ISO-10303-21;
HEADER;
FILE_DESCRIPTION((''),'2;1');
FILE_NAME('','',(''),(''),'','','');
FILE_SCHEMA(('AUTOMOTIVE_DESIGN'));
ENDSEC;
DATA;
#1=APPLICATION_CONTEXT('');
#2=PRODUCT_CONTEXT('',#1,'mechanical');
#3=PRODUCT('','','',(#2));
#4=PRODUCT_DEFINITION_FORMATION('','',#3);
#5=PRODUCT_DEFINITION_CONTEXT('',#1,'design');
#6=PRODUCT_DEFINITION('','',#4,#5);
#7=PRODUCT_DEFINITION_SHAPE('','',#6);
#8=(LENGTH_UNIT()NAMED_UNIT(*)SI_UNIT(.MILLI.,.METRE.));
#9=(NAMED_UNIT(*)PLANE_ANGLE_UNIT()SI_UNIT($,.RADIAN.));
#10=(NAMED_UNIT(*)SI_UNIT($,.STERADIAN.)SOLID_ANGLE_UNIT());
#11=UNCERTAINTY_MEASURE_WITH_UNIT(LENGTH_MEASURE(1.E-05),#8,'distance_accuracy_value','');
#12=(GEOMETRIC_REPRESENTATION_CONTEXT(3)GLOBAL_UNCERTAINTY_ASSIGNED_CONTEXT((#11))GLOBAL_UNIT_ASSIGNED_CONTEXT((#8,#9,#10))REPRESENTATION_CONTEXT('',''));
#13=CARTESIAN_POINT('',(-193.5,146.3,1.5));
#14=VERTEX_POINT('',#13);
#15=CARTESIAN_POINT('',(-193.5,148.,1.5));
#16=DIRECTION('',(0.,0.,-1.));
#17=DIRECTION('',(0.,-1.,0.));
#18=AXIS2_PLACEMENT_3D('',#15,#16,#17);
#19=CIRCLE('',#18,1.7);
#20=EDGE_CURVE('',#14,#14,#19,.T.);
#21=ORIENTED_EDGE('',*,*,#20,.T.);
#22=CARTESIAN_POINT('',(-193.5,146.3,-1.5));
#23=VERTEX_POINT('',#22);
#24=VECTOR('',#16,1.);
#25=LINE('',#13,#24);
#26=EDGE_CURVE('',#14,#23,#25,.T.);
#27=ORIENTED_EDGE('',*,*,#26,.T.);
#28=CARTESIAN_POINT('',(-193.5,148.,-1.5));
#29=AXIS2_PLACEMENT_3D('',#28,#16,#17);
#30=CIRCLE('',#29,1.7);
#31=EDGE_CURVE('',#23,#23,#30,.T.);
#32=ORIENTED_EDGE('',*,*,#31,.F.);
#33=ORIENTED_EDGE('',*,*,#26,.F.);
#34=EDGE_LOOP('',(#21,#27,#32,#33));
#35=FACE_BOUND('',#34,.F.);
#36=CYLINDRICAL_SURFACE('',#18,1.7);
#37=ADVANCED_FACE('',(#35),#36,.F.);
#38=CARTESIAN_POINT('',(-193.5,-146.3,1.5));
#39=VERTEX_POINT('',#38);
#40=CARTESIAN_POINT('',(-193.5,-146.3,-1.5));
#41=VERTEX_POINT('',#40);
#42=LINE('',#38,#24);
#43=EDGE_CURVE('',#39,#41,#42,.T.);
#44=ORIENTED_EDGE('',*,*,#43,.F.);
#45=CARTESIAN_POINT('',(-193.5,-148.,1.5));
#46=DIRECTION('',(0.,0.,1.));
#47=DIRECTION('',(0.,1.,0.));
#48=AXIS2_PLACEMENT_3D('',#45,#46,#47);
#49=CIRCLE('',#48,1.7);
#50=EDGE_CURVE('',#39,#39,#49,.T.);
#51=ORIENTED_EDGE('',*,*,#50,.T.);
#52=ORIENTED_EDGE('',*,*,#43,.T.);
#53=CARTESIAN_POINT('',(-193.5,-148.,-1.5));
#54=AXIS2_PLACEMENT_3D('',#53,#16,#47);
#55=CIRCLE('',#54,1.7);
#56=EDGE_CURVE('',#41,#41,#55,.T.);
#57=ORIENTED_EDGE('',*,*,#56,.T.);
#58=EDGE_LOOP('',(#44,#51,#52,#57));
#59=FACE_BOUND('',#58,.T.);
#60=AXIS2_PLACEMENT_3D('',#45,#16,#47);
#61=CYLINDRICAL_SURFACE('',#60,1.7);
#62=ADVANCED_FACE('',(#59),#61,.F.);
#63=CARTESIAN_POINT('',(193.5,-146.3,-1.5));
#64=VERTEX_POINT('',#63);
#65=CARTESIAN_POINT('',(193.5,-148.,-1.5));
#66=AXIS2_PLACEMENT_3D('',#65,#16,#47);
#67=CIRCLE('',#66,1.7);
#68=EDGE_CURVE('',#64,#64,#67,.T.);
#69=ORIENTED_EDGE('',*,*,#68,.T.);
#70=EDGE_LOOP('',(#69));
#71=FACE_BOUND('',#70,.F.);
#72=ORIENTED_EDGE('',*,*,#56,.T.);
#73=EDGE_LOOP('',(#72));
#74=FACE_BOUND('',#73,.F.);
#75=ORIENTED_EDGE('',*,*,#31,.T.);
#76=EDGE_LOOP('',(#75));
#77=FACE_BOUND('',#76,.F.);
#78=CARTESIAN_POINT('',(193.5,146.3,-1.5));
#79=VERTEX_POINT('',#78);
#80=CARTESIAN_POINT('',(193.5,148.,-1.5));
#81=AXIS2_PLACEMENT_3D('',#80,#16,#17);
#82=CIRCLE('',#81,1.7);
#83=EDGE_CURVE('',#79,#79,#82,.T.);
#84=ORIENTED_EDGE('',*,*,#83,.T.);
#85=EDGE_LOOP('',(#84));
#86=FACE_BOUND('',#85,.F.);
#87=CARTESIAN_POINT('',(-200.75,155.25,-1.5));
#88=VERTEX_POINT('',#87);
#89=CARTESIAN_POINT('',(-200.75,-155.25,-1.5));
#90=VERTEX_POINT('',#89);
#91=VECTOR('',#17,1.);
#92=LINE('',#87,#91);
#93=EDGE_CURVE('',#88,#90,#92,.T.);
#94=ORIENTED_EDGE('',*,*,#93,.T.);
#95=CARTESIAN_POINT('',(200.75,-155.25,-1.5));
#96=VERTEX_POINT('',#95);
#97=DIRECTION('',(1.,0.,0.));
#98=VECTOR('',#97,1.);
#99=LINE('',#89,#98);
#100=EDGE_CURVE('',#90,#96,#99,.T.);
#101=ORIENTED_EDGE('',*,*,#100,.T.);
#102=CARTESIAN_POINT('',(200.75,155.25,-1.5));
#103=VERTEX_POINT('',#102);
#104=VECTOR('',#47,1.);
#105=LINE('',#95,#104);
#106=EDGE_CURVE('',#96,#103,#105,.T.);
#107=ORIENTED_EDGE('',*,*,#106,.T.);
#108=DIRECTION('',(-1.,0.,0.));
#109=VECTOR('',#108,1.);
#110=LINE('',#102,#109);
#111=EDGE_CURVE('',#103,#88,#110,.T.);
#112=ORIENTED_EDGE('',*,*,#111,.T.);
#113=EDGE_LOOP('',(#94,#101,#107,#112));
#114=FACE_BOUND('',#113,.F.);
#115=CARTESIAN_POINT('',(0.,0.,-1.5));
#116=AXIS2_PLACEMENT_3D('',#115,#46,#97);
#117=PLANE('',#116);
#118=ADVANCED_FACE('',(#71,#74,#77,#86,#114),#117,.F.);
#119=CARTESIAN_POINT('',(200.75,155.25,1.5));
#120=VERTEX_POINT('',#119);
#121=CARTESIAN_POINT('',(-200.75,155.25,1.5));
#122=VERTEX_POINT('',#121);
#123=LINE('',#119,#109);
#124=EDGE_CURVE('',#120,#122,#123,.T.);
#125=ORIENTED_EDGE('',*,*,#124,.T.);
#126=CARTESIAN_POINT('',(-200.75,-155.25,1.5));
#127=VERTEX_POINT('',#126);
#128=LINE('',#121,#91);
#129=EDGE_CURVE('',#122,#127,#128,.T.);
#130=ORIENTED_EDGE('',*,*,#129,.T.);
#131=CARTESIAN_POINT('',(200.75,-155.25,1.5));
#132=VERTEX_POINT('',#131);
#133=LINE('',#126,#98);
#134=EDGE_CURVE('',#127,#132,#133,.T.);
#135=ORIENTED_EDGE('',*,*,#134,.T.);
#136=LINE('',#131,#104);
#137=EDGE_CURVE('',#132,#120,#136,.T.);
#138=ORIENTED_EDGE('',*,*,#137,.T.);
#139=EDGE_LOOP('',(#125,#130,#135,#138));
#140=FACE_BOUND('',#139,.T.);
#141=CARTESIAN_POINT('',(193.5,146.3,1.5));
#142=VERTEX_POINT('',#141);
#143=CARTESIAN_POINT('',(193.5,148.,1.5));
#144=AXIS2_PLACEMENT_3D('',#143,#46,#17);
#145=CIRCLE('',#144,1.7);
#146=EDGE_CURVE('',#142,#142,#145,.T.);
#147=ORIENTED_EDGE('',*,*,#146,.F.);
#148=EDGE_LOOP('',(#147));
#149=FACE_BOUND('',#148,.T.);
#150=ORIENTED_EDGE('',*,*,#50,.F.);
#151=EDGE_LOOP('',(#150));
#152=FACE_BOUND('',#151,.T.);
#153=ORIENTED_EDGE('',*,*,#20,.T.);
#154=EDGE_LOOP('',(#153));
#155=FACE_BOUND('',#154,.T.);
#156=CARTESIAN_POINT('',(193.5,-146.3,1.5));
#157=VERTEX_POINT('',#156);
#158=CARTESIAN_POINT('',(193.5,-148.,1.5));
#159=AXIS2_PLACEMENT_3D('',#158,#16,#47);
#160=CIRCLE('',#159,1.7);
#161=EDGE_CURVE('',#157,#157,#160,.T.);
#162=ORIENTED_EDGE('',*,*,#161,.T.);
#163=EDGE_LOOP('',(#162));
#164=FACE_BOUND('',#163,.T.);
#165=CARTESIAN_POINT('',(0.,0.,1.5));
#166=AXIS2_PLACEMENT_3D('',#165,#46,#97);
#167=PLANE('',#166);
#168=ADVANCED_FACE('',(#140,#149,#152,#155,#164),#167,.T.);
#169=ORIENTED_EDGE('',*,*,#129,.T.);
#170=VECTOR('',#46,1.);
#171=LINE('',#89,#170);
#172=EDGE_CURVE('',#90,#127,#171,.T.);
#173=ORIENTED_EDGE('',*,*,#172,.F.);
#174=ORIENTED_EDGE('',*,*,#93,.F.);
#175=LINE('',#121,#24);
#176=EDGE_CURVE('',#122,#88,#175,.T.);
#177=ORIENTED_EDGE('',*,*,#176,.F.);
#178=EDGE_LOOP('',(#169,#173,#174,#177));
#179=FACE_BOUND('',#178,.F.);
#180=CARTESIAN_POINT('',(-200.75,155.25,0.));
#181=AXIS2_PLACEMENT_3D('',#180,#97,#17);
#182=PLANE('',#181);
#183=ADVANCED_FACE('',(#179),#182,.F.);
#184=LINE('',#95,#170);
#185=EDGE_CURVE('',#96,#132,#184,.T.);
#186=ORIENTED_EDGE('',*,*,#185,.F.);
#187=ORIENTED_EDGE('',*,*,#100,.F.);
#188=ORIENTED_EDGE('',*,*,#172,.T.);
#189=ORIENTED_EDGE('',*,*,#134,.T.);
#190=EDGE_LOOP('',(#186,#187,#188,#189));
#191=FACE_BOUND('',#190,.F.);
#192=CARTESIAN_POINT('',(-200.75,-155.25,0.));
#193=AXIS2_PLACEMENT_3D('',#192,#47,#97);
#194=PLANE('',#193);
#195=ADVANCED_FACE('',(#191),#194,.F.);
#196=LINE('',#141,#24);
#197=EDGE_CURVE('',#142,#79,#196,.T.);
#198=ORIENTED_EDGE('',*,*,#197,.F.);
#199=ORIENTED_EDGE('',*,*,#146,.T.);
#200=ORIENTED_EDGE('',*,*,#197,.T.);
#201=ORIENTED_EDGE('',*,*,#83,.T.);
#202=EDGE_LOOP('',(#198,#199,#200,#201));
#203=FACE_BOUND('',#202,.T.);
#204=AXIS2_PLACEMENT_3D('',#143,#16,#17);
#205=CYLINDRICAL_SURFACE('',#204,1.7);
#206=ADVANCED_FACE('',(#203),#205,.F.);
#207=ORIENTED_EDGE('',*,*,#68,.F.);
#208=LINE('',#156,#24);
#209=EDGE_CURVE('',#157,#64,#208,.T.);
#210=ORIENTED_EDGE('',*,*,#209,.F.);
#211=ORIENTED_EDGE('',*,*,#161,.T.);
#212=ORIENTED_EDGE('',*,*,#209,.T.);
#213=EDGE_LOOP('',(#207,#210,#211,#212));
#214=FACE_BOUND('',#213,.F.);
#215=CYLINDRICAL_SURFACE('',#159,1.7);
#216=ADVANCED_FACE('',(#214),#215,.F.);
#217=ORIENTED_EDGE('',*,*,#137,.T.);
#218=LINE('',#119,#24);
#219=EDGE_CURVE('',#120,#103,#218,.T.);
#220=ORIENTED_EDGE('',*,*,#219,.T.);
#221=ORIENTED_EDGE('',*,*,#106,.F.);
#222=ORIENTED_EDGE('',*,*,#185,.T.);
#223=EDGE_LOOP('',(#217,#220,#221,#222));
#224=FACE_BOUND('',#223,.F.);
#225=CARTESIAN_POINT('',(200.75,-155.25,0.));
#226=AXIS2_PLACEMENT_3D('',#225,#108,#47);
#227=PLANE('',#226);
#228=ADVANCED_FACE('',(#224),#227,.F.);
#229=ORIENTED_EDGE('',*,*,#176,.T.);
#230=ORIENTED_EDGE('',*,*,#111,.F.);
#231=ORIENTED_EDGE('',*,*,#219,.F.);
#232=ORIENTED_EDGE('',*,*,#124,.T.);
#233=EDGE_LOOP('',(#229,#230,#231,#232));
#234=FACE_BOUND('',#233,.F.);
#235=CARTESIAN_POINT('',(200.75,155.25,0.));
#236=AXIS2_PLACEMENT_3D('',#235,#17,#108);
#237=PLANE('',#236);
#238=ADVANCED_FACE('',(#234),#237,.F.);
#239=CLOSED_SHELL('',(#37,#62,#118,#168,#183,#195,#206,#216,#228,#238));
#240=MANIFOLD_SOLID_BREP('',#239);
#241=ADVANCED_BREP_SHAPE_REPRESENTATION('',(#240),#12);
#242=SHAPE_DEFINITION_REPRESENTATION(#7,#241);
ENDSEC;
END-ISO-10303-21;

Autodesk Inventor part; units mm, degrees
ref_plane "YZ Plane" through (0, 0, 0) normal (1, 0, 0) x (0, 1, 0)
ref_plane "XZ Plane" through (0, 0, 0) normal (0, 1, 0) x (-1, 0, 0)
ref_plane "XY Plane" through (0, 0, 0) normal (0, 0, 1) x (1, 0, 0)
sketch "Esquisse1" plane through (0, 0, 0) normal (0, 0, 1) x (1, 0, 0)
  line L0 (-200.75, -155.25) -> (200.75, -155.25)
  line L1 (200.75, -155.25) -> (200.75, 155.25)
  line L2 (200.75, 155.25) -> (-200.75, 155.25)
  line L3 (-200.75, 155.25) -> (-200.75, -155.25)
  line L4 (-200.75, -155.25) -> (200.75, 155.25) construction
  line L5 (200.75, -155.25) -> (-200.75, 155.25) construction
  point P0 (0, 0)
  dimension "Longueur_plaque_supérieur" = 401.5
  dimension "Profondeur_plaque_supérieur" = 310.5
extrude "Embase" add sketch "Esquisse1" along normal mid plane 3
sketch "Esquisse2" plane through (0, 0, 1.5) normal (0, 0, 1) x (1, 0, 0)
  line L0 (-200.75, 155.25) -> (-200.75, -155.25) construction
  line L1 (200.75, 155.25) -> (-200.75, 155.25) construction
  point P0 (0, 0)
  point P1 (-193.5, 148)
  dimension "d4" = 7.25
  dimension "d5" = 7.25
hole "Perçage" at (-193.5, 148, 1.5) direction (0, 0, -1) diameter 3.4 end through all clearance for "Vis à tête plate fraisée ISO 2009/7046" size "M3" standard "ISO"
mirror "Symétrie1" about plane through (0, 0, 0) normal (1, 0, 0) of "Perçage"
mirror "Symétrie2" about plane through (0, 0, 0) normal (0, 1, 0) of "Perçage", "Symétrie1"
properties part number "Plaque superieur" material "Plastique PMMA"
